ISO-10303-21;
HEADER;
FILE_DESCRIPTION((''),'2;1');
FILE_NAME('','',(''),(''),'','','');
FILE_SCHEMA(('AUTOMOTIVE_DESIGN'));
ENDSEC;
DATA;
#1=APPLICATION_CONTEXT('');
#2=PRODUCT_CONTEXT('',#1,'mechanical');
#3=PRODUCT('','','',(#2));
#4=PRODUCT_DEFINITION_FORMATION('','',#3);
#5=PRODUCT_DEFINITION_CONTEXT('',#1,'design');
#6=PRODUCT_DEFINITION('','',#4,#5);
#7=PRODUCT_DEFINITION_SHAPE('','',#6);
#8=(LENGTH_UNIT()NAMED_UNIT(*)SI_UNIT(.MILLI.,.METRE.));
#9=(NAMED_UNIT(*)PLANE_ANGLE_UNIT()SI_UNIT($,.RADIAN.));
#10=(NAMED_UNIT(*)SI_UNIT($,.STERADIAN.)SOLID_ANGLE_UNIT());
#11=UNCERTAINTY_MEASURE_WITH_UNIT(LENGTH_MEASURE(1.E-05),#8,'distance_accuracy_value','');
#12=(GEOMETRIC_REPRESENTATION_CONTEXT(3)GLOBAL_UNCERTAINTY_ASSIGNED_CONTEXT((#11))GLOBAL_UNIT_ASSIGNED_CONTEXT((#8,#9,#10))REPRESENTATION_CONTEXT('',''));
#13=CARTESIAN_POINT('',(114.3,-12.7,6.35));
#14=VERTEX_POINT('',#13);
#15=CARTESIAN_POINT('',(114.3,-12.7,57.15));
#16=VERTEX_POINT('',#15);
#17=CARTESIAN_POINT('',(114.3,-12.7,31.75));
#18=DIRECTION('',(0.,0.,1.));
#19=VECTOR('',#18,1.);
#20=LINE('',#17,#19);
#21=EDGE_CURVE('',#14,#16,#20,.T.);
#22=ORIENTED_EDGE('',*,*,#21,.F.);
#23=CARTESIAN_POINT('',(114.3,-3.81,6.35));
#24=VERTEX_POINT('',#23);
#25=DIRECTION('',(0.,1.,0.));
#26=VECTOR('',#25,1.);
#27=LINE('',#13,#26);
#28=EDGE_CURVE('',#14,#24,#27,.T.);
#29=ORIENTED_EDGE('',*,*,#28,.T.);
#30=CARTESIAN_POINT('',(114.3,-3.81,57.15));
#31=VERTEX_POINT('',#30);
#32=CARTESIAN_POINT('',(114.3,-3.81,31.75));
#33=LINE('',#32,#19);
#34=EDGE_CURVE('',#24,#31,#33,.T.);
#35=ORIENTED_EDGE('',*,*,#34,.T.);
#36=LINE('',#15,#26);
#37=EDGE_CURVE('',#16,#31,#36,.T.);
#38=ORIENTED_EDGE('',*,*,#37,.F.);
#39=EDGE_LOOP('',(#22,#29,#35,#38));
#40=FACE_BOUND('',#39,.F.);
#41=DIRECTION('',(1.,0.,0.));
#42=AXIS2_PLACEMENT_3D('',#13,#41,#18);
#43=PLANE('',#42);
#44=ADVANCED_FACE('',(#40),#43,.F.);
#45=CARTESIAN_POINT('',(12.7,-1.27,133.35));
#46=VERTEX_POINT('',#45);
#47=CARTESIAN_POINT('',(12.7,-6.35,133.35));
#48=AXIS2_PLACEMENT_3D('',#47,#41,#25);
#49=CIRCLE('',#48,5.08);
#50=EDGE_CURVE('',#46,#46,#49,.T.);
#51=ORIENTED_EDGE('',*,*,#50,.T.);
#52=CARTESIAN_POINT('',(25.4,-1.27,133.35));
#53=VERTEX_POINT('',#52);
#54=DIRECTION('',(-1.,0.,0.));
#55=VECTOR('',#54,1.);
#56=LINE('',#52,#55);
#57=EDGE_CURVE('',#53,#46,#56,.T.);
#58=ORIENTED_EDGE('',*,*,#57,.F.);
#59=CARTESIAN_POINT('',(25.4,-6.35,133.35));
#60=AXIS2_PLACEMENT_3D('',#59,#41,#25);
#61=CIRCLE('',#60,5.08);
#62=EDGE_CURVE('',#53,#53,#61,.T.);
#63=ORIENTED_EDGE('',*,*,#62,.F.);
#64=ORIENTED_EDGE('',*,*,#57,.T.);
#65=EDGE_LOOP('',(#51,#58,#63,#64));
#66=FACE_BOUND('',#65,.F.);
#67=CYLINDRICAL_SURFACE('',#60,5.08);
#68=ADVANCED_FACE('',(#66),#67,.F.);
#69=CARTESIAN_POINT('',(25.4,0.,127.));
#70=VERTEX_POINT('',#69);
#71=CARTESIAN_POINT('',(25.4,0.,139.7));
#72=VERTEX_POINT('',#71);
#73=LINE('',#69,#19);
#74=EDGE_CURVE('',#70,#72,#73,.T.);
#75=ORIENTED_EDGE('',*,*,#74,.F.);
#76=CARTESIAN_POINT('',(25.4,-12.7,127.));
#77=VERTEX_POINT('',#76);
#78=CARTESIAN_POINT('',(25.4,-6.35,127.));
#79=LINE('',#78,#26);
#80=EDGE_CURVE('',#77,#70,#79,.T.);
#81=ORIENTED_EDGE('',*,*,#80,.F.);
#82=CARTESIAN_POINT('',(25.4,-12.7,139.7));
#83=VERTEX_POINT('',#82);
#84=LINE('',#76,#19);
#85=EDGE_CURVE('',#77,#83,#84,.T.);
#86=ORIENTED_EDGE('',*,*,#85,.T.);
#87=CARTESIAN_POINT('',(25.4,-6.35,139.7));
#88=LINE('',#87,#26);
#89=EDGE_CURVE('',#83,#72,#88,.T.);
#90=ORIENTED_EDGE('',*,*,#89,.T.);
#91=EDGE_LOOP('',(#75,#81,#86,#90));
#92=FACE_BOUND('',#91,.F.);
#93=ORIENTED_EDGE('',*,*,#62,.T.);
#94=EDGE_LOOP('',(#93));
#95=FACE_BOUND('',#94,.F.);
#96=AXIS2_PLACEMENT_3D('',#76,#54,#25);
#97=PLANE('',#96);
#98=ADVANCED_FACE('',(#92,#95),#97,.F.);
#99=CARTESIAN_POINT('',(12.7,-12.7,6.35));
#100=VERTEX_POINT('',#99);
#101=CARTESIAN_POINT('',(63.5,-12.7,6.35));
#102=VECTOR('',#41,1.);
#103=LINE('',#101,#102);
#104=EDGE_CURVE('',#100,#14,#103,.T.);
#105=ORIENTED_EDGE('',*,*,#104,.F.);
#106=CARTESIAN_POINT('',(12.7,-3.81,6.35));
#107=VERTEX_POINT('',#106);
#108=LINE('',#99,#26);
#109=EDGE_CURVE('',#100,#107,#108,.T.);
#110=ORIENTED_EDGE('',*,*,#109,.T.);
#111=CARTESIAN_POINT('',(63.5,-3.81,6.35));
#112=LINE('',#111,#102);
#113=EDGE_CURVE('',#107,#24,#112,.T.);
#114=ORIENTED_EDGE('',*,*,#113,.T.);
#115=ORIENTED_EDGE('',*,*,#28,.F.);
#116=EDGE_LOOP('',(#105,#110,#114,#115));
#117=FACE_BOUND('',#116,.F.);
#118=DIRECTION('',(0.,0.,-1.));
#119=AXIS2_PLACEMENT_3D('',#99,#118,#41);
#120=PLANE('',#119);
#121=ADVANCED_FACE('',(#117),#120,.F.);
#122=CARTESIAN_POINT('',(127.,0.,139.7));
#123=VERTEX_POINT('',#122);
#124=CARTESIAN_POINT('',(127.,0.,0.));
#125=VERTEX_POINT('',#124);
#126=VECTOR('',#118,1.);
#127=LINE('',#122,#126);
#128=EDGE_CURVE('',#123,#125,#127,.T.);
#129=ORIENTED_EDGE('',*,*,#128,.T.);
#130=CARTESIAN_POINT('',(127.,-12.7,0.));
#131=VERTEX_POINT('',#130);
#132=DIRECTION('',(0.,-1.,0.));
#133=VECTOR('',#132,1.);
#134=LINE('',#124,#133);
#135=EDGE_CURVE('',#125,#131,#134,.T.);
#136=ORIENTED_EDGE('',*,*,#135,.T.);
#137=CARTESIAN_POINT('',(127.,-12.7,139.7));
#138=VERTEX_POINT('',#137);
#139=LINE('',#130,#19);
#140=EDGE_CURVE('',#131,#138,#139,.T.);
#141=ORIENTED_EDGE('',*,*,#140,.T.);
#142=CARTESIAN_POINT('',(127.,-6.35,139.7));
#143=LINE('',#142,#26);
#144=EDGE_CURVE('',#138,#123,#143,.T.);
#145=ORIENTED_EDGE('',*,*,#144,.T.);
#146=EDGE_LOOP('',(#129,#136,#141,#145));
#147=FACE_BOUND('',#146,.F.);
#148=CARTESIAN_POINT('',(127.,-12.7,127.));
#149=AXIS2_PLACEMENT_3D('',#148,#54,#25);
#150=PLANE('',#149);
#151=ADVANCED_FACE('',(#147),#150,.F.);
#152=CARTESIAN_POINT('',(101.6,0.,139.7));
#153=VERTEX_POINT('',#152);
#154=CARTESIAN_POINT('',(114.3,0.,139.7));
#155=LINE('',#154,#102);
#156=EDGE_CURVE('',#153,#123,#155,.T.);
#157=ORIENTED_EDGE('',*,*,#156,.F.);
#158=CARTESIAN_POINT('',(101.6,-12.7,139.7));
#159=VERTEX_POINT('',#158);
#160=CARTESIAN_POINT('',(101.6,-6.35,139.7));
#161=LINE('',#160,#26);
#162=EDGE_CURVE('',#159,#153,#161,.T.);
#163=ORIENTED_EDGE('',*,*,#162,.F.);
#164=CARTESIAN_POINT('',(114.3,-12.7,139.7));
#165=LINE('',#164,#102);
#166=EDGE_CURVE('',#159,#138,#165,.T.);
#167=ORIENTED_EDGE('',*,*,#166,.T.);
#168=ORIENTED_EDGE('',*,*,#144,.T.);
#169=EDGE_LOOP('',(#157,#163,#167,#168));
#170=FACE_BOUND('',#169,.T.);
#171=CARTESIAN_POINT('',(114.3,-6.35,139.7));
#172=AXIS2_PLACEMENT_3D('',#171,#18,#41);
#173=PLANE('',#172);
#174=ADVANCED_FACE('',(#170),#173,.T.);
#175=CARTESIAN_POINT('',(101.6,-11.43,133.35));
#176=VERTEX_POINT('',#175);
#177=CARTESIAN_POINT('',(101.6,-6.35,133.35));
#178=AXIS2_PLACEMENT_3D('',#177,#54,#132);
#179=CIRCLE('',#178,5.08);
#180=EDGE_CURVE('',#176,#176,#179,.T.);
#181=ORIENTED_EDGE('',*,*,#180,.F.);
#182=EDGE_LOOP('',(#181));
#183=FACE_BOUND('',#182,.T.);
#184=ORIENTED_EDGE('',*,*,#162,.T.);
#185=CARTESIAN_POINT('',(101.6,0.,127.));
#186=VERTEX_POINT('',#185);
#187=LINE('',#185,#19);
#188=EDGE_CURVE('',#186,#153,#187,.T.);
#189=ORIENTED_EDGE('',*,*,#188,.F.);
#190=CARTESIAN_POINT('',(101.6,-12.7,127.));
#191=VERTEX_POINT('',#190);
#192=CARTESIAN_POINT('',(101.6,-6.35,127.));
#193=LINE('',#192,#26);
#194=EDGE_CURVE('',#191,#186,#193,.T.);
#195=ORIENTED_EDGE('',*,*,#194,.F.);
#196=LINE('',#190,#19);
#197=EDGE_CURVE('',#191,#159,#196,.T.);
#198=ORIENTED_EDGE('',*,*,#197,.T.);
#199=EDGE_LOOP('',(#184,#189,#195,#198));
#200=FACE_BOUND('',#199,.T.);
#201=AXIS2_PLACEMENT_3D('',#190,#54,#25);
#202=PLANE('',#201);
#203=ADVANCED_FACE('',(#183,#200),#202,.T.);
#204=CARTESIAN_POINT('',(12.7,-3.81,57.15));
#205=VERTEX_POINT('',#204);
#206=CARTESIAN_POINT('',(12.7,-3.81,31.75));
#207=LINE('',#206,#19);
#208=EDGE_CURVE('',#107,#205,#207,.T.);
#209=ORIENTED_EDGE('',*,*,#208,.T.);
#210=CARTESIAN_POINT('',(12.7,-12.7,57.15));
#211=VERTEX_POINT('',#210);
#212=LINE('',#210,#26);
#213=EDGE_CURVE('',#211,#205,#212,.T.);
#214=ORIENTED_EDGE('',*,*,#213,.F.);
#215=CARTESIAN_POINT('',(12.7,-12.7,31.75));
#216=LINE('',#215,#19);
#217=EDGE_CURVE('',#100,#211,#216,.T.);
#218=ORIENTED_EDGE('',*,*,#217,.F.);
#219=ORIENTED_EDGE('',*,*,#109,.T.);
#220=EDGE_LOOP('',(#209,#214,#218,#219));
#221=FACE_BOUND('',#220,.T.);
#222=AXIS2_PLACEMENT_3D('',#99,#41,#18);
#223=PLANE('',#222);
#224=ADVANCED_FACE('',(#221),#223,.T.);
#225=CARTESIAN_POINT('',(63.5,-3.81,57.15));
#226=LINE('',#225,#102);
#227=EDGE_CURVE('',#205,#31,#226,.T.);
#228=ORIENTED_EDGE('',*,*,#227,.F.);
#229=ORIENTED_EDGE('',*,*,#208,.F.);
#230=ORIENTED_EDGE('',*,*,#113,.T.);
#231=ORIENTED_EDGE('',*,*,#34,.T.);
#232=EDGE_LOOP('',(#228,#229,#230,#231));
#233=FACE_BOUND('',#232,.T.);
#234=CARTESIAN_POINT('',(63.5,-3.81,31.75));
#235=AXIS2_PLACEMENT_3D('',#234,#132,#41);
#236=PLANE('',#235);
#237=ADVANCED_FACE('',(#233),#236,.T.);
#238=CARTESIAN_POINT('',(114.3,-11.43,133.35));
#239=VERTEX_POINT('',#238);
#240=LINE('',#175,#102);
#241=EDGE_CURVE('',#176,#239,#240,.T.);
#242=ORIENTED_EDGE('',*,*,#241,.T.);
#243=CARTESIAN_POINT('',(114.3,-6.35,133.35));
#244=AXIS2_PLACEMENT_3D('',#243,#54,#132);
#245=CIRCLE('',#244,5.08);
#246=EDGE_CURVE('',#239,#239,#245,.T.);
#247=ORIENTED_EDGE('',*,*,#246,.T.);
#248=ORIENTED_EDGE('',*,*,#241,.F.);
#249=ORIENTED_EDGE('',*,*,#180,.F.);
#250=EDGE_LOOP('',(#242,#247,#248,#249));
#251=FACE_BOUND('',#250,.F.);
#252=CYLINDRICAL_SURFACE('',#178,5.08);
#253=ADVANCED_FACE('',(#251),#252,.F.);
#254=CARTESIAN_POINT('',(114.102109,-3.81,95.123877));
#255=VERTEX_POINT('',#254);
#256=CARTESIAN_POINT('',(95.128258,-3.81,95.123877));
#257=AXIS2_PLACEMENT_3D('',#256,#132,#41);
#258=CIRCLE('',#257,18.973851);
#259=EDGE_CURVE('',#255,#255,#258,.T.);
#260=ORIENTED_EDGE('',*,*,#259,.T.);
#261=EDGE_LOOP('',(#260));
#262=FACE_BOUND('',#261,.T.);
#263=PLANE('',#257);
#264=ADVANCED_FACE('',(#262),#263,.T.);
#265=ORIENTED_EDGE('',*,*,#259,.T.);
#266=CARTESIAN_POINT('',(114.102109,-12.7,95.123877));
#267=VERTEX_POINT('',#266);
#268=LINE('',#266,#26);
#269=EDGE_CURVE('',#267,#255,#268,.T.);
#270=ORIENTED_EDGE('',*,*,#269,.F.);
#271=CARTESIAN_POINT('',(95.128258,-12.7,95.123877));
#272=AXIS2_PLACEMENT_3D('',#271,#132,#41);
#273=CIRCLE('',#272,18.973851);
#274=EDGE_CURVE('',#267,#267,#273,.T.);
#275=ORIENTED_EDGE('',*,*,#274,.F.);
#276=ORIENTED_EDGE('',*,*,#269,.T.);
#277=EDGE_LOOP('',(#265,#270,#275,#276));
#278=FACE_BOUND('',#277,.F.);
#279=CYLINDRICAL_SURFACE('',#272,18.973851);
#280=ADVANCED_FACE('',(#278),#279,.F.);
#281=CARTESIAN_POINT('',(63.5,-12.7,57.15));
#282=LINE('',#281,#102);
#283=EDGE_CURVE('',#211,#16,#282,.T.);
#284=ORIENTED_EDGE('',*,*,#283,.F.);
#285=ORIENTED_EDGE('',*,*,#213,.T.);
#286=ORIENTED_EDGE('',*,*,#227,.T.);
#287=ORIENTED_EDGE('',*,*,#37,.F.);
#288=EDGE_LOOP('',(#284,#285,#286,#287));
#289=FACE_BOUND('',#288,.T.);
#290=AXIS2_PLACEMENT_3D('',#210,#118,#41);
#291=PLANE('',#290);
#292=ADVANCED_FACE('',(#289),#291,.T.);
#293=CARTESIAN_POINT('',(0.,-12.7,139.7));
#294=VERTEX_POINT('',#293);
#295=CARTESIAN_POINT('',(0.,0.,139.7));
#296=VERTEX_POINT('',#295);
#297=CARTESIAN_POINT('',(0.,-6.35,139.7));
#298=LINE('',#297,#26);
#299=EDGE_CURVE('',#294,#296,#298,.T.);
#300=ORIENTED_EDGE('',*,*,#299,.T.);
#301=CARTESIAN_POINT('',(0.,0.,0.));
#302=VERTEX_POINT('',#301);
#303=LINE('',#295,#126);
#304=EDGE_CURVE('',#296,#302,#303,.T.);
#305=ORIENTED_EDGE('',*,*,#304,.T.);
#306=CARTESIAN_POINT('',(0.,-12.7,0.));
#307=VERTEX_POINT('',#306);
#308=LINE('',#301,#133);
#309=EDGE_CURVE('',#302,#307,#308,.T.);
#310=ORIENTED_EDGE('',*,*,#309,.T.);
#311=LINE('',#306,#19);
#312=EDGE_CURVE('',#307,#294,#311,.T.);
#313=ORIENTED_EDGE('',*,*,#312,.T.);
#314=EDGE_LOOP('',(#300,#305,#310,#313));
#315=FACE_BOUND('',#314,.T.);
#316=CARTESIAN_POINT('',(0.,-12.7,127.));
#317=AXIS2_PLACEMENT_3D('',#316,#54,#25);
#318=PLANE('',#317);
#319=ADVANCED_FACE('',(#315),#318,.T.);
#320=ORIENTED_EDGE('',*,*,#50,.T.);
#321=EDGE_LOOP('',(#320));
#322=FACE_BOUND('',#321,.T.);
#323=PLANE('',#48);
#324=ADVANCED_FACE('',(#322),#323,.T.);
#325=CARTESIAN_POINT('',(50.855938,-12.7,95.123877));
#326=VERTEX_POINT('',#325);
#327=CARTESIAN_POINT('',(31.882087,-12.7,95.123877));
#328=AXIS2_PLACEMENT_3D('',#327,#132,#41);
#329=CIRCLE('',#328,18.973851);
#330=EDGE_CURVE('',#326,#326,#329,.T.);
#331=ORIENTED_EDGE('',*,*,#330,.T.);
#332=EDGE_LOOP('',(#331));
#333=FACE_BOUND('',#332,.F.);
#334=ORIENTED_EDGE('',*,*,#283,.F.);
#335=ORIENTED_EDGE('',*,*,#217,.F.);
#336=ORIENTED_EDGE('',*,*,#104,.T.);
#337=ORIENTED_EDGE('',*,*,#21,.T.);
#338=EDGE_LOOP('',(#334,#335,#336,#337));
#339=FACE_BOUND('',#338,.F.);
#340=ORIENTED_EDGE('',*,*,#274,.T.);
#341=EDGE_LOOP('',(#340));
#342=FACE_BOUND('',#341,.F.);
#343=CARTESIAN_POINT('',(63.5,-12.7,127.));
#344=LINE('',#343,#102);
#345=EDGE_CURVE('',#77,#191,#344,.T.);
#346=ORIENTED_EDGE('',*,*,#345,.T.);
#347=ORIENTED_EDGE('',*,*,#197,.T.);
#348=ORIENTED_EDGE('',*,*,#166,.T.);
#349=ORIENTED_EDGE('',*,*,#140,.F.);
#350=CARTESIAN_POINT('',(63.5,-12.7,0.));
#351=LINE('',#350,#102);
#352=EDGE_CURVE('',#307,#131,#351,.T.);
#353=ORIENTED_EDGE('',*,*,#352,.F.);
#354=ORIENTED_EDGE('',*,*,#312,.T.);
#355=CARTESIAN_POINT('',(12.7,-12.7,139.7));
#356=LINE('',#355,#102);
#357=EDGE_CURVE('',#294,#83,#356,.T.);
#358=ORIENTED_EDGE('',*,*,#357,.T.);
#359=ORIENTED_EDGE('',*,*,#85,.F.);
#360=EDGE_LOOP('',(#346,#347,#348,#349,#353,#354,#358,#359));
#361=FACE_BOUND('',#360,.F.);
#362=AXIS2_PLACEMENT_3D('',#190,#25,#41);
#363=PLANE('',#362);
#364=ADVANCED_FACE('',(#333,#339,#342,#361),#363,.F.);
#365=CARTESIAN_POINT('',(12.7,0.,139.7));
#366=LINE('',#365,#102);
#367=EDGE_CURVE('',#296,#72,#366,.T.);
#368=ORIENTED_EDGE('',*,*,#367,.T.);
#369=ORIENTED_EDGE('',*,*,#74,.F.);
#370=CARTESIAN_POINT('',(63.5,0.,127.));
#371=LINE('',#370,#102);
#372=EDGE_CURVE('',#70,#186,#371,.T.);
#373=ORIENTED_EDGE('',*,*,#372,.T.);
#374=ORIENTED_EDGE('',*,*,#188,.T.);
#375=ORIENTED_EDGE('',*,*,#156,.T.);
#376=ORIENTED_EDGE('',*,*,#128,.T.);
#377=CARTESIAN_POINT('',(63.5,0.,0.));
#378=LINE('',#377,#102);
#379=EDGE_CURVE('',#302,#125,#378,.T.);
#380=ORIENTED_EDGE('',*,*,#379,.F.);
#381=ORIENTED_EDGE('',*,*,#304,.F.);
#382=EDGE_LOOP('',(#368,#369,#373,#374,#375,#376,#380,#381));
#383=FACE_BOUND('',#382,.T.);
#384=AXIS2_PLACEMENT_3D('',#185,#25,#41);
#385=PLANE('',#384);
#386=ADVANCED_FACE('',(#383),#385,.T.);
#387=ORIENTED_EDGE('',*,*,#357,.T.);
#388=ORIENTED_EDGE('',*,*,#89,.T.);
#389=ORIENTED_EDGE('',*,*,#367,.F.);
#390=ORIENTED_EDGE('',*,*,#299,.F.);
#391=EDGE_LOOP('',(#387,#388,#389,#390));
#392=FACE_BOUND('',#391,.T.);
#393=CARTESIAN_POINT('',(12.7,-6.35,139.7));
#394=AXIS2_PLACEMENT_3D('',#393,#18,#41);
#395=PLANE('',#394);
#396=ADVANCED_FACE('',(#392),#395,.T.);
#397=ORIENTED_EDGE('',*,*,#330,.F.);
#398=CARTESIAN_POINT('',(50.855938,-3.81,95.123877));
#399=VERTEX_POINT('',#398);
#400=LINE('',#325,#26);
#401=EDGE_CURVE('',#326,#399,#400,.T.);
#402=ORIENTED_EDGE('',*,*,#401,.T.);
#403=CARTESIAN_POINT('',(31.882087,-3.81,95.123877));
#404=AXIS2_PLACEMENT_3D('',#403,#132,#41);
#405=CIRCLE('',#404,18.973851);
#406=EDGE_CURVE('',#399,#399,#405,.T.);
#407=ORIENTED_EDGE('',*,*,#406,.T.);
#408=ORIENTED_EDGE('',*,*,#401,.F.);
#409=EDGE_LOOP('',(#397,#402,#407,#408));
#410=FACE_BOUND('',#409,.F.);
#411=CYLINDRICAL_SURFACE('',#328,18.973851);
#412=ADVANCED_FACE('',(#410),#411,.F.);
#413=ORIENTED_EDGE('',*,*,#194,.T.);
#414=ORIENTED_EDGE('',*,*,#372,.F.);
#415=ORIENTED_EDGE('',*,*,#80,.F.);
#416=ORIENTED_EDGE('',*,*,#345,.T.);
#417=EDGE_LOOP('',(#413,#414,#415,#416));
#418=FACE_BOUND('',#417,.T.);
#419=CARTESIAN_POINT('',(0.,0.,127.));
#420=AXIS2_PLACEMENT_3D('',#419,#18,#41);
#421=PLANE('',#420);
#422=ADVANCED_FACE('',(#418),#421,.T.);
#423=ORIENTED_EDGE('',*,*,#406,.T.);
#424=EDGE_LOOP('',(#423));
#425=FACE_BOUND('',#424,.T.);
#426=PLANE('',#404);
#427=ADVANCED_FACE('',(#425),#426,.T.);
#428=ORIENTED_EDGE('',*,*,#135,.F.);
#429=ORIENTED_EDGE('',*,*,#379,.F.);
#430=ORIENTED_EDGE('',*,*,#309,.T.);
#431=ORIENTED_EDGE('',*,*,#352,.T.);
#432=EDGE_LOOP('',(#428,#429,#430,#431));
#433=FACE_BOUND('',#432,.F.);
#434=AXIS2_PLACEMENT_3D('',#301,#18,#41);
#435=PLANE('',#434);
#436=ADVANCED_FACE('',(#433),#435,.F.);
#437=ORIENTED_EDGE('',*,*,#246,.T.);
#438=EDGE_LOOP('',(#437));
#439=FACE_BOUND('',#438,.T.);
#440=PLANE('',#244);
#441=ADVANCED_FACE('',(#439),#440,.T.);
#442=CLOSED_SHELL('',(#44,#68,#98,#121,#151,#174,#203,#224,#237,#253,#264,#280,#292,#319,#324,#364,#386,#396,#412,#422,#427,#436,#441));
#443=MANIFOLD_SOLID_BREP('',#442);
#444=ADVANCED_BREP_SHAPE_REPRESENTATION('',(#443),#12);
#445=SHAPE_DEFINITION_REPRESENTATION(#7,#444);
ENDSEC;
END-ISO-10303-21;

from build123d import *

# Parameters (mm, degrees)
F0_W      = 127
F0_H      = 127
F1_DEPTH  = 12.7
F2_R      = 18.973851
F2_W      = 101.6
F2_H      = 50.8
F3_DEPTH  = 8.89
F4_W      = 25.4
F4_H      = 12.7
F5_DEPTH  = 12.7
F7_W      = 25.4
F7_H      = 12.7
F8_DEPTH  = 12.7
F9_R      = 5.08
F10_DEPTH = 12.7
F6_R      = 5.08
F11_DEPTH = 12.7


with BuildPart() as f1:
    # F0 (on Front) → F1 (new body)
    with BuildSketch(Plane.XZ):
        with Locations((63.5, 63.5)):
            Rectangle(F0_W, F0_H)
    extrude(amount=F1_DEPTH)

    # F2 (on face) → F3 (cut)
    with BuildSketch(Plane.XZ.offset(12.7)):
        with Locations((95.128258, 95.123877)):
            Circle(F2_R)
        with Locations((31.882087, 95.123877)):
            Circle(F2_R)
        with Locations((63.5, 31.75)):
            Rectangle(F2_W, F2_H)
    extrude(amount=-F3_DEPTH, mode=Mode.SUBTRACT)

    # F4 (on face) → F5 (join)
    with BuildSketch(Plane.XY.offset(127)):
        with Locations((12.7, -6.35)):
            Rectangle(F4_W, F4_H)
    extrude(amount=F5_DEPTH)

    # F7 (on face) → F8 (join)
    with BuildSketch(Plane.XY.offset(127)):
        with Locations((114.3, -6.35)):
            Rectangle(F7_W, F7_H)
    extrude(amount=F8_DEPTH)

    # F9 (on face) → F10 (cut)
    with BuildSketch(Plane(origin=(101.6, 0, 0), x_dir=(0, -1, 0), z_dir=(-1, 0, 0))):
        with Locations((6.35, 133.35)):
            Circle(F9_R)
    extrude(amount=-F10_DEPTH, mode=Mode.SUBTRACT)

    # F6 (on face) → F11 (cut)
    with BuildSketch(Plane.YZ.offset(25.4)):
        with Locations((-6.35, 133.35)):
            Circle(F6_R)
    extrude(amount=-F11_DEPTH, mode=Mode.SUBTRACT)


solid = f1.part
